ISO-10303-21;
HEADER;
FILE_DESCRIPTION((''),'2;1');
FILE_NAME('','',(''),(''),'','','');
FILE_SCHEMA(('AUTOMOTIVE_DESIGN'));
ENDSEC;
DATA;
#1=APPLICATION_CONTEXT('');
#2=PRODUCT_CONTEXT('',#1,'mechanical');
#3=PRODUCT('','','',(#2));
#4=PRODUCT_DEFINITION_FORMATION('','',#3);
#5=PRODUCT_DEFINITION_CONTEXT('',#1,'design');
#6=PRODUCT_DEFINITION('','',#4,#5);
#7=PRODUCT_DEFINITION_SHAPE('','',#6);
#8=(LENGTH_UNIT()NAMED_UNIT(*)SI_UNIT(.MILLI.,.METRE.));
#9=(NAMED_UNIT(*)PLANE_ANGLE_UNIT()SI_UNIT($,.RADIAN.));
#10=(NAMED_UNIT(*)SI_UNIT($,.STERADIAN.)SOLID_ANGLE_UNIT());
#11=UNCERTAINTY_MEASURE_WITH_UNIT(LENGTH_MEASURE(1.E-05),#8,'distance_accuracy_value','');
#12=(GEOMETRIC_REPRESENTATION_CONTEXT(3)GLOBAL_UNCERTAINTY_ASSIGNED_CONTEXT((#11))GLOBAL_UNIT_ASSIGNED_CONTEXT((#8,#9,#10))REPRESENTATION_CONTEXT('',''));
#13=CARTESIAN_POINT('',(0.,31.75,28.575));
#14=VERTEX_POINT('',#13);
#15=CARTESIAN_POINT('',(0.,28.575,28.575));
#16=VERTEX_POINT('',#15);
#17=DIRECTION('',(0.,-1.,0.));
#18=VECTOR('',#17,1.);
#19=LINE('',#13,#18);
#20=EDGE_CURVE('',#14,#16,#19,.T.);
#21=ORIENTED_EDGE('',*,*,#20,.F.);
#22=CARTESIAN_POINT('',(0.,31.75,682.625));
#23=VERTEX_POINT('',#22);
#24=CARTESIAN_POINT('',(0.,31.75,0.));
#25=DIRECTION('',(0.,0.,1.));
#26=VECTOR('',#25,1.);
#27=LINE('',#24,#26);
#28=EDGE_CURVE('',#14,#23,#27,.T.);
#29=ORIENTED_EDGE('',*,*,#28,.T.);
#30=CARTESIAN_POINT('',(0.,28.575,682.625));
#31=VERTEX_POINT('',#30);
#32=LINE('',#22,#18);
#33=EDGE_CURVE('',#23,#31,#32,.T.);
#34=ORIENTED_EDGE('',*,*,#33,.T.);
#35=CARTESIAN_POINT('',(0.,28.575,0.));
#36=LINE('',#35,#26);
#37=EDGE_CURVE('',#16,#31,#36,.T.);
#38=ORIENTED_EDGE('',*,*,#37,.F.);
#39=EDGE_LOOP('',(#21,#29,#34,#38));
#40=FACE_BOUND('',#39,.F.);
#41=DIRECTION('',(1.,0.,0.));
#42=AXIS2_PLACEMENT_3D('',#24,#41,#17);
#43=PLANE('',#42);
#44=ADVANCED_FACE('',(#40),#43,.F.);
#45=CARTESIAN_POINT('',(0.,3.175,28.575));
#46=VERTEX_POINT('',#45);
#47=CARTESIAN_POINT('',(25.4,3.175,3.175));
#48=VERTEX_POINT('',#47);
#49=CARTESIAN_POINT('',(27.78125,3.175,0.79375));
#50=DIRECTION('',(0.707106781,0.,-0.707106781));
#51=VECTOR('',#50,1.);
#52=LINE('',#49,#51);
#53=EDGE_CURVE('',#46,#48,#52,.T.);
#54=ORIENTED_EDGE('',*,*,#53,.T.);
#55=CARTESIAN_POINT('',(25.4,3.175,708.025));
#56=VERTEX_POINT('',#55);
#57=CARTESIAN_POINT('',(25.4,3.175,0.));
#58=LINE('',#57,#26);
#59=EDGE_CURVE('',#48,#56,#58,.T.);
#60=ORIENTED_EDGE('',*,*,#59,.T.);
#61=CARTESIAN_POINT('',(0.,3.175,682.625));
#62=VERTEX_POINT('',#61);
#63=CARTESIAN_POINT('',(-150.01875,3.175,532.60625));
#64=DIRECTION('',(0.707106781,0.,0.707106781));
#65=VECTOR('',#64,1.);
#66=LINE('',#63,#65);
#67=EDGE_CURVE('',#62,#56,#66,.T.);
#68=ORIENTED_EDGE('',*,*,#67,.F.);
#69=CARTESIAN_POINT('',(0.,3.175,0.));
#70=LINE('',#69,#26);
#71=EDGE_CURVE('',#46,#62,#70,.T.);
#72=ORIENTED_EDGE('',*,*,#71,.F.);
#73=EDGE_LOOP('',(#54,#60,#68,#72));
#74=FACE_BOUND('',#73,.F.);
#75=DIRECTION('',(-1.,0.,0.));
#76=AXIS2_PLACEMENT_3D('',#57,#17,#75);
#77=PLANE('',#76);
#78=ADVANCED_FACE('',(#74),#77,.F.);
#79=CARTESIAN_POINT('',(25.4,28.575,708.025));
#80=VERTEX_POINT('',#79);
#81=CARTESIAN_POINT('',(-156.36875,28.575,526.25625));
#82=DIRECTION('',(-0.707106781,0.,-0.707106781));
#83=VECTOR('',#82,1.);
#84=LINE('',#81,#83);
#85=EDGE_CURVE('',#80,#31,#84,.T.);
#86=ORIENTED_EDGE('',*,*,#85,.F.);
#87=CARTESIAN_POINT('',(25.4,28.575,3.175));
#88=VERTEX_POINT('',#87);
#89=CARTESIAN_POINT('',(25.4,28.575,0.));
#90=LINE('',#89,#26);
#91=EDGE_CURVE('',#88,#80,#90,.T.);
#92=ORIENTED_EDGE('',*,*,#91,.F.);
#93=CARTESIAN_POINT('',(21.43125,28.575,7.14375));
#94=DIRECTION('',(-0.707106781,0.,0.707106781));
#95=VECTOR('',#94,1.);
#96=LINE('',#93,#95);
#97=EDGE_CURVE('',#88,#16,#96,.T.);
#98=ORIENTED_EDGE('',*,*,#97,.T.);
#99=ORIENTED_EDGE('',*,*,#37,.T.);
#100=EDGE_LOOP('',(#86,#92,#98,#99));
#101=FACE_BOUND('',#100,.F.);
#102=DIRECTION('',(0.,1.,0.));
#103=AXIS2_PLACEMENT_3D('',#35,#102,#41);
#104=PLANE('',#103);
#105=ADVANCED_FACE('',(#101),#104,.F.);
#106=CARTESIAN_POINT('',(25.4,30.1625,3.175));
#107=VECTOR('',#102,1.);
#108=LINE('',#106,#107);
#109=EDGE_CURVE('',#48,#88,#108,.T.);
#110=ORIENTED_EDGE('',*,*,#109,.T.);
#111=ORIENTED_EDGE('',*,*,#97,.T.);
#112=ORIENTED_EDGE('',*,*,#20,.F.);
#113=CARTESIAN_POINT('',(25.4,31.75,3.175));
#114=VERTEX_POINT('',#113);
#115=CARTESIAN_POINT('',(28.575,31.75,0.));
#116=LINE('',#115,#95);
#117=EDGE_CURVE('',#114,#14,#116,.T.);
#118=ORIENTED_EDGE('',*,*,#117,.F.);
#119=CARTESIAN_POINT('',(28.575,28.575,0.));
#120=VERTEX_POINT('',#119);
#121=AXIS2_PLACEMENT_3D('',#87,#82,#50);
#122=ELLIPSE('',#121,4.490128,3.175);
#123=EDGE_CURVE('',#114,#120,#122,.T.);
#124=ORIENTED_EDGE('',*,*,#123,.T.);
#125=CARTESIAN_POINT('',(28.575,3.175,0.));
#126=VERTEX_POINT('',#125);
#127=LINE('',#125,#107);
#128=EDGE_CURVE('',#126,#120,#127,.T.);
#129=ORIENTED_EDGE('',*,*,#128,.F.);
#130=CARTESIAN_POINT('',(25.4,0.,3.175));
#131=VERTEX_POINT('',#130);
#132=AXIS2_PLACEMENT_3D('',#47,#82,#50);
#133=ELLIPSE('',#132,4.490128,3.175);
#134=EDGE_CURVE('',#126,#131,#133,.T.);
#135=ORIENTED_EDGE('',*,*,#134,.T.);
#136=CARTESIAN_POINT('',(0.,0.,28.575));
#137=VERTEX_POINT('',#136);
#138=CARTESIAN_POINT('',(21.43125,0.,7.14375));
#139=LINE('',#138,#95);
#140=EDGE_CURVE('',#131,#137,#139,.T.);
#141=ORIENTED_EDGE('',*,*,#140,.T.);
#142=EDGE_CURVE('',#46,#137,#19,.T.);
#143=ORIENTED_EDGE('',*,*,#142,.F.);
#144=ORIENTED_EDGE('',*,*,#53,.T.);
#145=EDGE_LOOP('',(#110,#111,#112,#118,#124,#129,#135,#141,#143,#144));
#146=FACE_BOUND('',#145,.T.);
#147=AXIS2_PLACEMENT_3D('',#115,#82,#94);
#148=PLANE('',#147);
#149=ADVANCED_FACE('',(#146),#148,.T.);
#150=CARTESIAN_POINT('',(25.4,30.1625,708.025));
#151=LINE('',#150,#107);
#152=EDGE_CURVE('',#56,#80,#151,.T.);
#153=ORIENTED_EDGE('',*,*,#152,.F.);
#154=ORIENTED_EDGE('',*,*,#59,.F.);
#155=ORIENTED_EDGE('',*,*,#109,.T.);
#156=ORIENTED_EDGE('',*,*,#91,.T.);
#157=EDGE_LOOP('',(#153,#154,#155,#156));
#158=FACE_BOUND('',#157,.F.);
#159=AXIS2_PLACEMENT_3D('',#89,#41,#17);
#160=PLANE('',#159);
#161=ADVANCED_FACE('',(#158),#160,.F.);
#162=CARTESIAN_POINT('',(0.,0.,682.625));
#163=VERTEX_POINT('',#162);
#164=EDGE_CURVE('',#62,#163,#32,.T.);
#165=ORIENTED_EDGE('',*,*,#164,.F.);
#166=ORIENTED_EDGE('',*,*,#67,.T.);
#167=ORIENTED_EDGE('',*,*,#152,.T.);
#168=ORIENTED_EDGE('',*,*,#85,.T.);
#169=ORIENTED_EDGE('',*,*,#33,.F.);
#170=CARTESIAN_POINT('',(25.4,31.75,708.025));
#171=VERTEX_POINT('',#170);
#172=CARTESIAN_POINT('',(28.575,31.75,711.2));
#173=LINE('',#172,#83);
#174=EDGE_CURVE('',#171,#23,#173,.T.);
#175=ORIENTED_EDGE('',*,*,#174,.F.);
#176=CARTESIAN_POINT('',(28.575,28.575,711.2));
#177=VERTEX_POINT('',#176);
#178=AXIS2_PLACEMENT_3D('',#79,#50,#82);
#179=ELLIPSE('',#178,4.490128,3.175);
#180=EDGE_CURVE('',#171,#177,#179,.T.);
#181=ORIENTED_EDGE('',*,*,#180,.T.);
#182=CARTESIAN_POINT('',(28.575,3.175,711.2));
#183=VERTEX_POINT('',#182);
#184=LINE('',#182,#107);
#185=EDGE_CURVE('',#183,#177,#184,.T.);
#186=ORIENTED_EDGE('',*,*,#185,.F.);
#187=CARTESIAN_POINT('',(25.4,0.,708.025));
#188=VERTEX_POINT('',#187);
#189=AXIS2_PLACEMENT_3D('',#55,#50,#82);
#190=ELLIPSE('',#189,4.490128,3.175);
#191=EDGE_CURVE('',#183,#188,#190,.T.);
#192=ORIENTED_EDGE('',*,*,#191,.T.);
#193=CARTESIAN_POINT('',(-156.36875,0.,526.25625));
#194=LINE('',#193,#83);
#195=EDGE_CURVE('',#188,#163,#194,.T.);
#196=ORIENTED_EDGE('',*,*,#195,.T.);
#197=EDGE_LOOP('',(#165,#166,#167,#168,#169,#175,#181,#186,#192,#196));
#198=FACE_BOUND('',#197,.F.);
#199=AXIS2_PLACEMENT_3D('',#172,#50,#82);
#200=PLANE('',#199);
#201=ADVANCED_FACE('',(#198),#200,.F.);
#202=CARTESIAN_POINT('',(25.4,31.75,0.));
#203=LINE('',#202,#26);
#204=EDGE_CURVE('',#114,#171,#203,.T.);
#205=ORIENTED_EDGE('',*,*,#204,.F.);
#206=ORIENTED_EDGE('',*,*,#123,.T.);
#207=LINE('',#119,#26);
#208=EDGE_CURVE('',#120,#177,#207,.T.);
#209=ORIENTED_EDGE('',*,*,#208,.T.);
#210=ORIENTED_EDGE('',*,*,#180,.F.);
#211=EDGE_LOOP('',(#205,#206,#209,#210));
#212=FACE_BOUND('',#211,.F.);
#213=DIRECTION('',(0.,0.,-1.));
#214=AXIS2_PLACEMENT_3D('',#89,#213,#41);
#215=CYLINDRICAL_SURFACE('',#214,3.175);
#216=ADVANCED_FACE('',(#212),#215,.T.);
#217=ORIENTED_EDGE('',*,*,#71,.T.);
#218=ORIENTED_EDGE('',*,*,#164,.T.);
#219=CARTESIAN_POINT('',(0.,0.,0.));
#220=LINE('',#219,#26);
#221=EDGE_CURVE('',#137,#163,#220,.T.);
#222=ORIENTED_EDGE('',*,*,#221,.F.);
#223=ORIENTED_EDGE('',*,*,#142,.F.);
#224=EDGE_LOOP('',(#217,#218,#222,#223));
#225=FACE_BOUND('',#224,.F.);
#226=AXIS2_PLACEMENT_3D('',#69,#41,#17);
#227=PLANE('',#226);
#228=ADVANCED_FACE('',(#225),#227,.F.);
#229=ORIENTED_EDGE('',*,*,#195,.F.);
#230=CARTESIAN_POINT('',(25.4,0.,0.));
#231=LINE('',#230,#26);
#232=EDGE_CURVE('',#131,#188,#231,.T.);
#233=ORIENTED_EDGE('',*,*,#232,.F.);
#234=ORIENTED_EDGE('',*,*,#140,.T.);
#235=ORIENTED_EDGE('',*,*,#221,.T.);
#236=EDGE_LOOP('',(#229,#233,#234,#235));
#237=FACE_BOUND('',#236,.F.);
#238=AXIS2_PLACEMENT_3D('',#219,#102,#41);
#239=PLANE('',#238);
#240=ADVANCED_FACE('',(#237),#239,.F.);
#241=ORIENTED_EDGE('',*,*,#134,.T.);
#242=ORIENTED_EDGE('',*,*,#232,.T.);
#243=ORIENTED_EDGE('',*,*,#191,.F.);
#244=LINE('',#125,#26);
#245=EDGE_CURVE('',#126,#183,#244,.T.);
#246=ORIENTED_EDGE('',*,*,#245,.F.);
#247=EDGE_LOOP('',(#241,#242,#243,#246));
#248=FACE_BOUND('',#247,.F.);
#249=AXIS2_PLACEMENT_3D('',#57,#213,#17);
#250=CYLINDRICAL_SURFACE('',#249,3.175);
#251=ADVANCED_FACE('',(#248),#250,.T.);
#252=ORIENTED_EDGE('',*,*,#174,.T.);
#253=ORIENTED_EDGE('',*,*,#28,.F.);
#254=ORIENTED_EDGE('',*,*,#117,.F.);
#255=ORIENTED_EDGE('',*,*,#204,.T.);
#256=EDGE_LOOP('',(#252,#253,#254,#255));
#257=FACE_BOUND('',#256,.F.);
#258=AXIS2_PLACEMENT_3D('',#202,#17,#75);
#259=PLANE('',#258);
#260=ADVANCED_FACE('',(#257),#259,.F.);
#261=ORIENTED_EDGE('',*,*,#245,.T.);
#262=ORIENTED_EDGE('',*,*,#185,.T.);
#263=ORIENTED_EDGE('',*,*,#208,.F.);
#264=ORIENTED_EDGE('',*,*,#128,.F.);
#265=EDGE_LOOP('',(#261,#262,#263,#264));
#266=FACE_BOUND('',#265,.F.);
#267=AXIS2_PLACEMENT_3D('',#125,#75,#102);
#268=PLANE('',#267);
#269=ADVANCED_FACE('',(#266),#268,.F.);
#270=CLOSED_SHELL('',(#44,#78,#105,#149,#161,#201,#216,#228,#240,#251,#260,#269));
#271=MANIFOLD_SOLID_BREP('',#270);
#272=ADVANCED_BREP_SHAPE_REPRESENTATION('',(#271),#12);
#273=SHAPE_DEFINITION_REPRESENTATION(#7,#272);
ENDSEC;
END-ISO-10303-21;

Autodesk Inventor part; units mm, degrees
ref_plane "YZ Plane" through (0, 0, 0) normal (1, 0, 0) x (0, 1, 0)
ref_plane "XZ Plane" through (0, 0, 0) normal (0, 1, 0) x (-1, 0, 0)
ref_plane "XY Plane" through (0, 0, 0) normal (0, 0, 1) x (1, 0, 0)
sketch "Sketch1" plane through (0, 0, 0) normal (0, 0, 1) x (1, 0, 0)
  line L0 (0, 0) -> (25.4, 0)
  line L1 (28.575, 3.175) -> (28.575, 28.575)
  line L2 (25.4, 31.75) -> (0, 31.75)
  line L3 (0, 31.75) -> (0, 28.575)
  line L4 (0, 28.575) -> (25.4, 28.575)
  line L5 (25.4, 28.575) -> (25.4, 3.175)
  line L6 (25.4, 3.175) -> (0, 3.175)
  line L7 (0, 3.175) -> (0, 0)
  arc A0 (28.575, 28.575) -> (25.4, 31.75) centre (25.4, 28.575) ccw
  arc A1 (25.4, 0) -> (28.575, 3.175) centre (25.4, 3.175) ccw
  point P0 (28.575, 0)
  point P1 (28.575, 31.75)
  dimension "d0" = 28.575
  dimension "d1" = 31.75
  dimension "d2" = 3.175
  dimension "d3" = 25.4
  dimension "d4" = 25.4
  dimension "d5" = 3.175
extrude "Extrusion1" add sketch "Sketch1" along normal blind 711.2
sketch "Sketch2" plane through (0, 31.75, 0) normal (0, 1, 0) x (1, 0, 0)
  line L0 (25.4, 0) -> (28.575, 0) projected
  line L1 (25.4, 0) -> (28.575, 0)
  line L2 (28.575, 0) -> (0, -28.575)
  line L3 (0, 0) -> (0, -711.2) projected
  line L4 (0, -28.575) -> (0, 0)
  line L5 (0, 0) -> (28.575, 0)
  dimension "d8" = 45
extrude "Extrusion2" cut sketch "Sketch2" against normal blind 711.2
sketch "Sketch3" plane through (0, 31.75, 711.2) normal (0, 1, 0) x (1, 0, 0)
  line L0 (0, 0) -> (25.4, 0) projected
  line L1 (25.4, 0) -> (28.575, 0) projected
  line L2 (25.4, 0) -> (28.575, 0)
  line L3 (28.575, 0) -> (0, 28.575)
  line L4 (0, 682.625) -> (0, 0) projected
  line L5 (0, 28.575) -> (0, 0)
  line L6 (0, 0) -> (28.575, 0)
  point P0 (0, 711.2)
  dimension "d11" = 45
extrude "Extrusion3" cut sketch "Sketch3" against normal blind 711.2
properties part number "Chasis 28 piece"
